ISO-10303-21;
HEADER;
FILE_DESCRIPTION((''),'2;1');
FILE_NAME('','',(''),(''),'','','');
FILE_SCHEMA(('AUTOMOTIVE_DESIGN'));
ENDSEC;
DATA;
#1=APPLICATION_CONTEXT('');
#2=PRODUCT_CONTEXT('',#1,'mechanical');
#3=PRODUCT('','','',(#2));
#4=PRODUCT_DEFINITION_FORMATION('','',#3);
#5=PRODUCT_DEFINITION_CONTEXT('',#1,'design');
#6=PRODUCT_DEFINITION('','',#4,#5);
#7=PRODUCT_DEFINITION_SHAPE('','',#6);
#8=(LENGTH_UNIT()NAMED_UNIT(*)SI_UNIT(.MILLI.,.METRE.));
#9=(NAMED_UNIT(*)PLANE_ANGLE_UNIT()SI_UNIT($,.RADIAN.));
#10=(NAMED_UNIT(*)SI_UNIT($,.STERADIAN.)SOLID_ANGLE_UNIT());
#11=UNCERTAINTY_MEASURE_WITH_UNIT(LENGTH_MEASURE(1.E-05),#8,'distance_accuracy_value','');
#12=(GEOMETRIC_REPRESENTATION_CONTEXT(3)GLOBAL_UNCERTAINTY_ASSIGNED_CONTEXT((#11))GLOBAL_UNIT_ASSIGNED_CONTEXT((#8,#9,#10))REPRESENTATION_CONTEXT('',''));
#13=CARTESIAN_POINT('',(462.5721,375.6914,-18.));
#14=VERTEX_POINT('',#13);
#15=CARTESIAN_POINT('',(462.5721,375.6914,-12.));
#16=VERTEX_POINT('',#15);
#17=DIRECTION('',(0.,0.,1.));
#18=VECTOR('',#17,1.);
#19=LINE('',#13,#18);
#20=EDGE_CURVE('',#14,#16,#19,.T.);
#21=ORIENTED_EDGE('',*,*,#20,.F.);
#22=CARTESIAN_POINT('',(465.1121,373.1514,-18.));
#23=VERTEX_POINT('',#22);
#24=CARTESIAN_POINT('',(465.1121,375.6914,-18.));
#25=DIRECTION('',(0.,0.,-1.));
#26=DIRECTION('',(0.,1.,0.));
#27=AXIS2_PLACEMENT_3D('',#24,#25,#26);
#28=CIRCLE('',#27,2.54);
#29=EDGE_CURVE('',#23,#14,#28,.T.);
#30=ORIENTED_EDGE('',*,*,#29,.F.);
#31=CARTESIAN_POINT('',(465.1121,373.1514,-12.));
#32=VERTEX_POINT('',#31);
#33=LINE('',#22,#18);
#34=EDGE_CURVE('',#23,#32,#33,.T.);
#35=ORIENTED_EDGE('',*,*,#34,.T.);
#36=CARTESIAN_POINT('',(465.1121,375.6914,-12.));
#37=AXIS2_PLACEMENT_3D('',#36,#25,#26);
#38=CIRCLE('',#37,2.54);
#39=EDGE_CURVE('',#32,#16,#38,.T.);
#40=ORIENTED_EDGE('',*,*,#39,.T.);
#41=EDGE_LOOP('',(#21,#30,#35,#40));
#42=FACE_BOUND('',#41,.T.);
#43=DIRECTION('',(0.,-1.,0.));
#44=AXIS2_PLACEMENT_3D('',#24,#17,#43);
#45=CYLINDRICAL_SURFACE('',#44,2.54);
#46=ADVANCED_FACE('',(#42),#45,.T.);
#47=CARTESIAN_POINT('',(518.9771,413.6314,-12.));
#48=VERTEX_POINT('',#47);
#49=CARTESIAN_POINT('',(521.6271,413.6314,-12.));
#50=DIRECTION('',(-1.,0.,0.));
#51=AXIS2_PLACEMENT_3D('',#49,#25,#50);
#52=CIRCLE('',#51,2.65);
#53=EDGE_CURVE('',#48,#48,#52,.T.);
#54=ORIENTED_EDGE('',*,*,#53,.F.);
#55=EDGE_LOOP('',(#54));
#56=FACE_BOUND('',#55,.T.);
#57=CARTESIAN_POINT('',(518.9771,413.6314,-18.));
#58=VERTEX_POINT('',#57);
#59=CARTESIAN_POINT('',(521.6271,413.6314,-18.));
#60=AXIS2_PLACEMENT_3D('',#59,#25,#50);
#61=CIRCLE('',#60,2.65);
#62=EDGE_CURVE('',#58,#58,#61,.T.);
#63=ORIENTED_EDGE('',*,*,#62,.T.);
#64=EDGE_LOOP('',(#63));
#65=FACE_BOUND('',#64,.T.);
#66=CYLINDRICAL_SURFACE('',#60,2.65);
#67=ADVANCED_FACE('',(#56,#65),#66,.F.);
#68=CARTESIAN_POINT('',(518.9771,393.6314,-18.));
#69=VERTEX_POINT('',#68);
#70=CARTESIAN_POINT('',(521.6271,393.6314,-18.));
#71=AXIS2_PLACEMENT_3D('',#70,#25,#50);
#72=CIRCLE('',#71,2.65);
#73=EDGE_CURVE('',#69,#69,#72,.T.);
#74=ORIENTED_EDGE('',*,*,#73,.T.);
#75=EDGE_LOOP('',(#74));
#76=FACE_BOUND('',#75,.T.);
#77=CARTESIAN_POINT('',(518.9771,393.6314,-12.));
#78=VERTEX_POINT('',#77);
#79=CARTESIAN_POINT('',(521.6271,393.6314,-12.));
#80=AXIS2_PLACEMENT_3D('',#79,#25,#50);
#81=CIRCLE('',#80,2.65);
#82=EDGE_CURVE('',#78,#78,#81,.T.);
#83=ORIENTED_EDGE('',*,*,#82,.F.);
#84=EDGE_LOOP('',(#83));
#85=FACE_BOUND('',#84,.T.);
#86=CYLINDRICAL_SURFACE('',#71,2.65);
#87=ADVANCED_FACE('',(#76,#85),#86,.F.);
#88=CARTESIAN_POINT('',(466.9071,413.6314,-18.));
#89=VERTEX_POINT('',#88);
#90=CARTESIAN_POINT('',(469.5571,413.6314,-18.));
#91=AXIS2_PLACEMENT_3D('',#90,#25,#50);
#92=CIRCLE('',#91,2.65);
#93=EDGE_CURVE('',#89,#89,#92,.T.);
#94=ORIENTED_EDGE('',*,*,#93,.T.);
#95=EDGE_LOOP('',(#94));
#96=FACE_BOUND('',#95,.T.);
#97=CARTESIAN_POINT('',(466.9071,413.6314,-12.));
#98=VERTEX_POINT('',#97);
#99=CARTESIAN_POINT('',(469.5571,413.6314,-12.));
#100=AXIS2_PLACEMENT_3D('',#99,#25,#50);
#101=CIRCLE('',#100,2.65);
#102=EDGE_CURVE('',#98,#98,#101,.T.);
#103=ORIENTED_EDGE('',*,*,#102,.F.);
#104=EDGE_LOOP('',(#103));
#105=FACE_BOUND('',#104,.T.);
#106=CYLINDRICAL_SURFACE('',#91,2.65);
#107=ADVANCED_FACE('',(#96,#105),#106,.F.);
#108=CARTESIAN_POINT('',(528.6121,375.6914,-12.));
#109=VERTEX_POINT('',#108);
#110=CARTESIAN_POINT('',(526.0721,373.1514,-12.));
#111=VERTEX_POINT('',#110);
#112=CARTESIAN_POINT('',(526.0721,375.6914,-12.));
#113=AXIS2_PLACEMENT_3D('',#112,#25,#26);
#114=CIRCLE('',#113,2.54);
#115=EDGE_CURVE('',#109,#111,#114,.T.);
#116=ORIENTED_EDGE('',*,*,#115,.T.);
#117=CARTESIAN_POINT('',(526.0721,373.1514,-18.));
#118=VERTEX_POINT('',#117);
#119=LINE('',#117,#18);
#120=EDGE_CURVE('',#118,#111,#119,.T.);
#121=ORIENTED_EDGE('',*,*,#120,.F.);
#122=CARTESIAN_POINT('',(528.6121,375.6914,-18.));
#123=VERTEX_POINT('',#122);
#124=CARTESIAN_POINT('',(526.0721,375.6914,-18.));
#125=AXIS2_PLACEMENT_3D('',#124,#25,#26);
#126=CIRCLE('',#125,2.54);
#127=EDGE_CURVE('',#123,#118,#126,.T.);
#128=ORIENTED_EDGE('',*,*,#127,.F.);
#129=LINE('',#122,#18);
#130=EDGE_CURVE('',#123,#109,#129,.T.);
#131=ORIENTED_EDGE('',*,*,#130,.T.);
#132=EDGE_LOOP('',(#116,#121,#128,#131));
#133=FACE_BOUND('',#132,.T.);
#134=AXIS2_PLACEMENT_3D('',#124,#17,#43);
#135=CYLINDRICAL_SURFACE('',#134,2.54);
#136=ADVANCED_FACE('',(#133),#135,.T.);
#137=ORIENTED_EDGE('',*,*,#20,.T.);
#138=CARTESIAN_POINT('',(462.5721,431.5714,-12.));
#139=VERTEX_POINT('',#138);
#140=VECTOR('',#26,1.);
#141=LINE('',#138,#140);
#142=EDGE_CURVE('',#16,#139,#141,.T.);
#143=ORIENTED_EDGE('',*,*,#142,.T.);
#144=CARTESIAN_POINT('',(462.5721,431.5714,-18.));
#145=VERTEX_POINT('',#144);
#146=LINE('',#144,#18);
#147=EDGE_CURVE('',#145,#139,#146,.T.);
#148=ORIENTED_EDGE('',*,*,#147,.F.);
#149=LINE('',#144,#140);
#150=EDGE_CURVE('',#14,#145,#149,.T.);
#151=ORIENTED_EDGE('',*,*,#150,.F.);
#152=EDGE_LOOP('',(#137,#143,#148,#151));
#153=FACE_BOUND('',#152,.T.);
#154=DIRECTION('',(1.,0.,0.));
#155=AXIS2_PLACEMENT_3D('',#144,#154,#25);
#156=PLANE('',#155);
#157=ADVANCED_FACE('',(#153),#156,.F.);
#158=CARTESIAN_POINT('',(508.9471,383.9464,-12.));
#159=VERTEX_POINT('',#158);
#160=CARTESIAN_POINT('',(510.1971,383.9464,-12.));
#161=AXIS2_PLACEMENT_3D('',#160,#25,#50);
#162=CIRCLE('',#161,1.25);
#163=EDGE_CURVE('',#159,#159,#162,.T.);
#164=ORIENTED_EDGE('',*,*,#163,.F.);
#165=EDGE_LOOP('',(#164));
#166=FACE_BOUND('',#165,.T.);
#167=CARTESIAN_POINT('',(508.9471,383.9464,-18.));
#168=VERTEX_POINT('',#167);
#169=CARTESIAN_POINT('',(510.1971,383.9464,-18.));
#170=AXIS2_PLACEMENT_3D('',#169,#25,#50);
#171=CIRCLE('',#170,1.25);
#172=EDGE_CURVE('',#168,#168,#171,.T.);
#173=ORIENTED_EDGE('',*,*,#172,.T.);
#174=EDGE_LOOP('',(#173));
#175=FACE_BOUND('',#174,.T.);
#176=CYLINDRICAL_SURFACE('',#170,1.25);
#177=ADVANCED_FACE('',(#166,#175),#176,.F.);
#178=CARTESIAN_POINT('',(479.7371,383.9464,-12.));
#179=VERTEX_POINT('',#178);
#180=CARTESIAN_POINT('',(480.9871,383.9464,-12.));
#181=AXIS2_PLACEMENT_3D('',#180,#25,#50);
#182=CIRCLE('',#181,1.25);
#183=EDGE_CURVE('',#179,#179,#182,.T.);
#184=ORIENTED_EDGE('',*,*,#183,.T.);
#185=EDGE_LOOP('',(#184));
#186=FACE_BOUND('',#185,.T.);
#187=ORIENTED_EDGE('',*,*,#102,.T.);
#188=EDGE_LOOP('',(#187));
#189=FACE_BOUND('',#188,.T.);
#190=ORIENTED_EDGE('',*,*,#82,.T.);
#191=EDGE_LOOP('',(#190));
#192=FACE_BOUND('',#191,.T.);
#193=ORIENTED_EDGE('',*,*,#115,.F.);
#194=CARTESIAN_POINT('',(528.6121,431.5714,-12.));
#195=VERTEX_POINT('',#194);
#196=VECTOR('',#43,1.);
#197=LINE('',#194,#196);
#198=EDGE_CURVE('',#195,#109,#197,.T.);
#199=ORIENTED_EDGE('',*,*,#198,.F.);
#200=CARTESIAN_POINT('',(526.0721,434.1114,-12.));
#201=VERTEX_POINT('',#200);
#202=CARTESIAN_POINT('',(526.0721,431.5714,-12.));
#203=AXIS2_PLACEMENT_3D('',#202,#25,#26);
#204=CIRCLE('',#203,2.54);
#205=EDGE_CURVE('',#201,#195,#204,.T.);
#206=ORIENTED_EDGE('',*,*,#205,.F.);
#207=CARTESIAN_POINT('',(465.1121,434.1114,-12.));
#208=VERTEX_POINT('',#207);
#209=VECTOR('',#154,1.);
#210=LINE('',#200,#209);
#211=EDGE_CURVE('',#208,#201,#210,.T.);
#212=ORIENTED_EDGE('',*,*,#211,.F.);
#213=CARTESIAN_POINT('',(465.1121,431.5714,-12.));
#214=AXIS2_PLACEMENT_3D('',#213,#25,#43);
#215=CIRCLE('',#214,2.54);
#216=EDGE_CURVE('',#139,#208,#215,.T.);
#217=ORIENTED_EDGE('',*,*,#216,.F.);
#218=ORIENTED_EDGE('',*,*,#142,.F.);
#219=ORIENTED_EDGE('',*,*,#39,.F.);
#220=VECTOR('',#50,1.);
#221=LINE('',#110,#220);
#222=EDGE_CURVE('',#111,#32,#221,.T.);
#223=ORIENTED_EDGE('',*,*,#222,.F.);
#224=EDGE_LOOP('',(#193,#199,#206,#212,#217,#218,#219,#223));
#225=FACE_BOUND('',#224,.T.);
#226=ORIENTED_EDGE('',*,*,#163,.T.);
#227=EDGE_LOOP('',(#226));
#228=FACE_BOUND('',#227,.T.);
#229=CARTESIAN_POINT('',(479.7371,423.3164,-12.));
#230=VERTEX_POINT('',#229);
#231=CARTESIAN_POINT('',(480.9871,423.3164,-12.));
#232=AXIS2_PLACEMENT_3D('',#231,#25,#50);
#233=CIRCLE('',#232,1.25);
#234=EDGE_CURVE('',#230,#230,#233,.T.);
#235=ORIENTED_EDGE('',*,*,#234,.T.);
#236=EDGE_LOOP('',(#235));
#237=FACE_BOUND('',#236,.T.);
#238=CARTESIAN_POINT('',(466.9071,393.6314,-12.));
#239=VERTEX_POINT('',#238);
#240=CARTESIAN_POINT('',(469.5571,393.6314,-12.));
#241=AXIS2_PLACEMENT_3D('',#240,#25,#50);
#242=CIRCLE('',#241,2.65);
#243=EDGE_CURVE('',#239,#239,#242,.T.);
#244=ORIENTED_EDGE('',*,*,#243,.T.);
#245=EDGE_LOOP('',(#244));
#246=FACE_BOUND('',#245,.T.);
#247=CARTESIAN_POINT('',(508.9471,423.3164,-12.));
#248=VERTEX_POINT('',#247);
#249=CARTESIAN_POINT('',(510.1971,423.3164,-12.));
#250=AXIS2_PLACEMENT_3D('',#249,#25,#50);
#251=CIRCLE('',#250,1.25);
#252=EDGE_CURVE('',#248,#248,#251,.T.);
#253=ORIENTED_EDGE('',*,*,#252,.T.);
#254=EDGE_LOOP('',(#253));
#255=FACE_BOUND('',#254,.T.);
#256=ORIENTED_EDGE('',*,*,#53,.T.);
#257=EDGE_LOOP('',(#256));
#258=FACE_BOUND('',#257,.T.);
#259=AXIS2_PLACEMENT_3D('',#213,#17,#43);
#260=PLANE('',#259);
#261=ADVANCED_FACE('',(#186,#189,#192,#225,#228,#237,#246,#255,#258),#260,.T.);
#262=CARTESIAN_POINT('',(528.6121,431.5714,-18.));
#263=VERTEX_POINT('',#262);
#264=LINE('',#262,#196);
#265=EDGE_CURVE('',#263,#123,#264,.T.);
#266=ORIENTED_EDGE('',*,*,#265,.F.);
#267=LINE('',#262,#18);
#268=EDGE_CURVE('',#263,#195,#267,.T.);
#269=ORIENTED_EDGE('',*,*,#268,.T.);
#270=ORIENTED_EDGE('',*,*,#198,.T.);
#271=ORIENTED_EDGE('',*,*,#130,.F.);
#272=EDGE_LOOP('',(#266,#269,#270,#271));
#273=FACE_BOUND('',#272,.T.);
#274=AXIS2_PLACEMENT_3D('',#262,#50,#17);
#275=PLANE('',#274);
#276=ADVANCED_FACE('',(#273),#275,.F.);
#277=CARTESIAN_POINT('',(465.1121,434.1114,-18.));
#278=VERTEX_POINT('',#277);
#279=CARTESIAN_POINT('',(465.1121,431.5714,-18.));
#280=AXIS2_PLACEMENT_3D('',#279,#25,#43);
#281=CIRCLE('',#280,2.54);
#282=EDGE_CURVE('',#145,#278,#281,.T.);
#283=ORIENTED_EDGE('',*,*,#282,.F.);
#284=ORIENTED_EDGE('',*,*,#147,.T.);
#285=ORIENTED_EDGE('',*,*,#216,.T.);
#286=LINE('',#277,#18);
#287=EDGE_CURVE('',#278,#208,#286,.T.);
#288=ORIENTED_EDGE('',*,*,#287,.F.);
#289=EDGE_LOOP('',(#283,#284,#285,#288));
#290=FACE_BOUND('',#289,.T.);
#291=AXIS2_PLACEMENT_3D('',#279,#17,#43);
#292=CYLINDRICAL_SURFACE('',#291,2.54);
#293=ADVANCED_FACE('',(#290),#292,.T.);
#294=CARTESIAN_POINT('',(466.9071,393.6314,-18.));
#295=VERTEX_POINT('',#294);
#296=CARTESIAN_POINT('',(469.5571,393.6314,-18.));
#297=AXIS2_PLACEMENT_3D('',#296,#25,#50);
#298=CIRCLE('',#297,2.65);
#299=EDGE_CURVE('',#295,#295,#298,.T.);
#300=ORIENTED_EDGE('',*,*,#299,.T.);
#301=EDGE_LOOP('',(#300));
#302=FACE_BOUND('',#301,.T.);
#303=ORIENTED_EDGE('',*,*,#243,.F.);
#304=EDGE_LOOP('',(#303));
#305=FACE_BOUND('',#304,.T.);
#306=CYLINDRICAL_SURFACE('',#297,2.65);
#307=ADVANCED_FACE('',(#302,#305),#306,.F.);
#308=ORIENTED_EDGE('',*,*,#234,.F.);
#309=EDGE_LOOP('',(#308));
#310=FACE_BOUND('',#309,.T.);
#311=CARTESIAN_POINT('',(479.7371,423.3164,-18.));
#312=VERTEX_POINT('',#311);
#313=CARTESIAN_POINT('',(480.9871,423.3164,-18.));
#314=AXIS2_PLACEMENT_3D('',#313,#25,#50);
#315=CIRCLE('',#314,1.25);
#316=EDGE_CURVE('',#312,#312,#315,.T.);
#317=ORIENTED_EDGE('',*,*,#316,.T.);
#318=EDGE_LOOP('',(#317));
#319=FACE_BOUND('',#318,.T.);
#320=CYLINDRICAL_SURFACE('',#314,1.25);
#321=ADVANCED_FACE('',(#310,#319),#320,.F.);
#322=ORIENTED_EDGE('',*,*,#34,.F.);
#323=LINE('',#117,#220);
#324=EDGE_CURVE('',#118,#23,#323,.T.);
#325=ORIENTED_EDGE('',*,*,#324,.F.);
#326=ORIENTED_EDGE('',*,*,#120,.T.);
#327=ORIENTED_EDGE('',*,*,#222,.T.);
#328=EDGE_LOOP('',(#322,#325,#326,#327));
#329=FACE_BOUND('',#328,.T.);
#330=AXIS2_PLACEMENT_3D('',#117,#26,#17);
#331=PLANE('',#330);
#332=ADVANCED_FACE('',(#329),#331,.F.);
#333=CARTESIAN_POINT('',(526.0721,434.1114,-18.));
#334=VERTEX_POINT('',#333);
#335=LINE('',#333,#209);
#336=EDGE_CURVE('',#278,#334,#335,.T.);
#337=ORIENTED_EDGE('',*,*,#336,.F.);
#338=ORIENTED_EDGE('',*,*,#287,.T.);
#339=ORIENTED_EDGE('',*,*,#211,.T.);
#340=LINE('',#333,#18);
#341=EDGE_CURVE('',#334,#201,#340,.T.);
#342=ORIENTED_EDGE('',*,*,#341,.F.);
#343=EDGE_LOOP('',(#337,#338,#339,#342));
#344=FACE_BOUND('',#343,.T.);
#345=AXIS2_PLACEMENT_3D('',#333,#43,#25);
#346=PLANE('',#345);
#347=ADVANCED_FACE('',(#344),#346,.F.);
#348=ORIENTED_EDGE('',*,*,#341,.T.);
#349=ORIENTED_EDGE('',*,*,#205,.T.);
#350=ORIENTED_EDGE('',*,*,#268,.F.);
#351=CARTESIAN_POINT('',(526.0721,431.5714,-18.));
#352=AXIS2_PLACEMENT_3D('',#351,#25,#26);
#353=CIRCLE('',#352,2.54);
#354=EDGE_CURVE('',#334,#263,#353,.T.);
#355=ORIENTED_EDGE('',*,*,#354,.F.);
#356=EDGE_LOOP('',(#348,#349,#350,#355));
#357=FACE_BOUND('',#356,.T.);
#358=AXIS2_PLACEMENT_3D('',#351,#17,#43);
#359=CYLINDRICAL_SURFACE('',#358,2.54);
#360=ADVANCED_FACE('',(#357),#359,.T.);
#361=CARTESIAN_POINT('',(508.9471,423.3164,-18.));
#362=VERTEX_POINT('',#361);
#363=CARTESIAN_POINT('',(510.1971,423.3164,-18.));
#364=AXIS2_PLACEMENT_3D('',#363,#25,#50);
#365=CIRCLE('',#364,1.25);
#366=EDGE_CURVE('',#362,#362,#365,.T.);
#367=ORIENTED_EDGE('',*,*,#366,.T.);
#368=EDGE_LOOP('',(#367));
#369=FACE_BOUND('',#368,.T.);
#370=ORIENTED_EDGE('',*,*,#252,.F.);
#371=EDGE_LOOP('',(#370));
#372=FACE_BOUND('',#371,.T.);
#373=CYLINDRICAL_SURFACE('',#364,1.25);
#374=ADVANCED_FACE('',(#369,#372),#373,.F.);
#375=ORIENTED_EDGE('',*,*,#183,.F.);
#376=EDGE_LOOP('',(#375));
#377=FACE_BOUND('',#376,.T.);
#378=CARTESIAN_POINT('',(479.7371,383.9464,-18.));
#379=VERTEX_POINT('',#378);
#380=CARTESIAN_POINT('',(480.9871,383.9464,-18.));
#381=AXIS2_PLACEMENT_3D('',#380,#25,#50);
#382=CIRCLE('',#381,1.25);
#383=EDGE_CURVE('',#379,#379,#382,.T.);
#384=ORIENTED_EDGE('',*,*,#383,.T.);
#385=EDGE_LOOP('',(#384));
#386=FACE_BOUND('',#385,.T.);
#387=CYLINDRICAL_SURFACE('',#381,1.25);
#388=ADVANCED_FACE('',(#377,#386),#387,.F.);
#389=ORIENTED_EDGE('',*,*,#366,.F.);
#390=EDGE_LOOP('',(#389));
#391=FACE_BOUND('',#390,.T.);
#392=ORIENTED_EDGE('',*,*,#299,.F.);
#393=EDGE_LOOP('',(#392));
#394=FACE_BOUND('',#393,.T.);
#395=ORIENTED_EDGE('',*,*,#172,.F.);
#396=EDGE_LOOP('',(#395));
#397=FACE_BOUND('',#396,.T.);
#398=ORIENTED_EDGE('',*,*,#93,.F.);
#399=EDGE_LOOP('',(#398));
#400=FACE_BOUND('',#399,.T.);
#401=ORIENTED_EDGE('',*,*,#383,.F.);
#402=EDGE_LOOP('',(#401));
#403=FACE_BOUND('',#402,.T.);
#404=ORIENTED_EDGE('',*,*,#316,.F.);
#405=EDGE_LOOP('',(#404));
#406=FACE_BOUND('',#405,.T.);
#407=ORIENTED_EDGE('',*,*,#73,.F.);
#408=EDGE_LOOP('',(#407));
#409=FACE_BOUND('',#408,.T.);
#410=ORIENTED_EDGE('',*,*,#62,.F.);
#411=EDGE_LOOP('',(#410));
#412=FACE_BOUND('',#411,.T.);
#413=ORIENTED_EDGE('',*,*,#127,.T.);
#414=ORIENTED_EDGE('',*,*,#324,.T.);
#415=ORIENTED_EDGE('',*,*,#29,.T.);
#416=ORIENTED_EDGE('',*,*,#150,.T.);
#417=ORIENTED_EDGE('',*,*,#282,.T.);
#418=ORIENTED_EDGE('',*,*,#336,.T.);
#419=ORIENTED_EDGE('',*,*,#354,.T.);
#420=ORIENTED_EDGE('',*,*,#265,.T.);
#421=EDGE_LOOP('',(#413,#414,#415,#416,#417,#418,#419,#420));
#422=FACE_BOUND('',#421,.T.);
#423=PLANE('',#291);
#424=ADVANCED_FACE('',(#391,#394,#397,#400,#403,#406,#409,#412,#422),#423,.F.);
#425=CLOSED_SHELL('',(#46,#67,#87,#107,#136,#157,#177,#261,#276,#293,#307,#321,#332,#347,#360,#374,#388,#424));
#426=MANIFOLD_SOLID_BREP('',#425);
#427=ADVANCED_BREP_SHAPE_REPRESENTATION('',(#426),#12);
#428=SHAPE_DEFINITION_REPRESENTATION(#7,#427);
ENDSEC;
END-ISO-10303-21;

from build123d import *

# Parameters (mm, degrees)
BOSS_EXTRUDE1_DEPTH   = 6
M5_CLEARANCE_HOLE1_D  = 5.3
M3X0_5_TAPPED_HOLE1_D = 2.5


with BuildPart() as part:
    # Sketch1 → Boss-Extrude1 (new body)
    with BuildSketch(Plane(origin=(0, 0, -11.999999876), x_dir=(-1, 0, 0), z_dir=(0, 0, -1))):
        with BuildLine():
            Line((-526.0721, 434.1114), (-465.1121, 434.1114))
            ThreePointArc((-465.1121, 434.1114), (-463.316048776, 433.367451224), (-462.5721, 431.5714))
            Line((-462.5721, 431.5714), (-462.5721, 375.6914))
            ThreePointArc((-462.5721, 375.6914), (-463.316048776, 373.895348776), (-465.1121, 373.1514))
            Line((-465.1121, 373.1514), (-526.0721, 373.1514))
            ThreePointArc((-526.0721, 373.1514), (-527.868151224, 373.895348776), (-528.6121, 375.6914))
            Line((-528.6121, 375.6914), (-528.6121, 431.5714))
            ThreePointArc((-528.6121, 431.5714), (-527.868151224, 433.367451224), (-526.0721, 434.1114))
        make_face()
    extrude(amount=BOSS_EXTRUDE1_DEPTH)

    # M5 Clearance Hole1 (through all)
    with Locations(Plane(origin=(0, 0, -17.999999876), x_dir=(-1, 0, 0), z_dir=(0, 0, -1))):
        with Locations((-521.6271, 413.631399939), (-521.6271, 393.631400061), (-469.5571, 393.631400061), (-469.5571, 413.631399939)):
            Hole(M5_CLEARANCE_HOLE1_D / 2)

    # M3x0.5 Tapped Hole1 (through all)
    with Locations(Plane(origin=(0, 0, -17.999999876), x_dir=(-1, 0, 0), z_dir=(0, 0, -1))):
        with Locations((-510.1971, 423.3164), (-480.9871, 423.3164), (-480.9871, 383.9464), (-510.1971, 383.9464)):
            Hole(M3X0_5_TAPPED_HOLE1_D / 2)


solid = part.part
